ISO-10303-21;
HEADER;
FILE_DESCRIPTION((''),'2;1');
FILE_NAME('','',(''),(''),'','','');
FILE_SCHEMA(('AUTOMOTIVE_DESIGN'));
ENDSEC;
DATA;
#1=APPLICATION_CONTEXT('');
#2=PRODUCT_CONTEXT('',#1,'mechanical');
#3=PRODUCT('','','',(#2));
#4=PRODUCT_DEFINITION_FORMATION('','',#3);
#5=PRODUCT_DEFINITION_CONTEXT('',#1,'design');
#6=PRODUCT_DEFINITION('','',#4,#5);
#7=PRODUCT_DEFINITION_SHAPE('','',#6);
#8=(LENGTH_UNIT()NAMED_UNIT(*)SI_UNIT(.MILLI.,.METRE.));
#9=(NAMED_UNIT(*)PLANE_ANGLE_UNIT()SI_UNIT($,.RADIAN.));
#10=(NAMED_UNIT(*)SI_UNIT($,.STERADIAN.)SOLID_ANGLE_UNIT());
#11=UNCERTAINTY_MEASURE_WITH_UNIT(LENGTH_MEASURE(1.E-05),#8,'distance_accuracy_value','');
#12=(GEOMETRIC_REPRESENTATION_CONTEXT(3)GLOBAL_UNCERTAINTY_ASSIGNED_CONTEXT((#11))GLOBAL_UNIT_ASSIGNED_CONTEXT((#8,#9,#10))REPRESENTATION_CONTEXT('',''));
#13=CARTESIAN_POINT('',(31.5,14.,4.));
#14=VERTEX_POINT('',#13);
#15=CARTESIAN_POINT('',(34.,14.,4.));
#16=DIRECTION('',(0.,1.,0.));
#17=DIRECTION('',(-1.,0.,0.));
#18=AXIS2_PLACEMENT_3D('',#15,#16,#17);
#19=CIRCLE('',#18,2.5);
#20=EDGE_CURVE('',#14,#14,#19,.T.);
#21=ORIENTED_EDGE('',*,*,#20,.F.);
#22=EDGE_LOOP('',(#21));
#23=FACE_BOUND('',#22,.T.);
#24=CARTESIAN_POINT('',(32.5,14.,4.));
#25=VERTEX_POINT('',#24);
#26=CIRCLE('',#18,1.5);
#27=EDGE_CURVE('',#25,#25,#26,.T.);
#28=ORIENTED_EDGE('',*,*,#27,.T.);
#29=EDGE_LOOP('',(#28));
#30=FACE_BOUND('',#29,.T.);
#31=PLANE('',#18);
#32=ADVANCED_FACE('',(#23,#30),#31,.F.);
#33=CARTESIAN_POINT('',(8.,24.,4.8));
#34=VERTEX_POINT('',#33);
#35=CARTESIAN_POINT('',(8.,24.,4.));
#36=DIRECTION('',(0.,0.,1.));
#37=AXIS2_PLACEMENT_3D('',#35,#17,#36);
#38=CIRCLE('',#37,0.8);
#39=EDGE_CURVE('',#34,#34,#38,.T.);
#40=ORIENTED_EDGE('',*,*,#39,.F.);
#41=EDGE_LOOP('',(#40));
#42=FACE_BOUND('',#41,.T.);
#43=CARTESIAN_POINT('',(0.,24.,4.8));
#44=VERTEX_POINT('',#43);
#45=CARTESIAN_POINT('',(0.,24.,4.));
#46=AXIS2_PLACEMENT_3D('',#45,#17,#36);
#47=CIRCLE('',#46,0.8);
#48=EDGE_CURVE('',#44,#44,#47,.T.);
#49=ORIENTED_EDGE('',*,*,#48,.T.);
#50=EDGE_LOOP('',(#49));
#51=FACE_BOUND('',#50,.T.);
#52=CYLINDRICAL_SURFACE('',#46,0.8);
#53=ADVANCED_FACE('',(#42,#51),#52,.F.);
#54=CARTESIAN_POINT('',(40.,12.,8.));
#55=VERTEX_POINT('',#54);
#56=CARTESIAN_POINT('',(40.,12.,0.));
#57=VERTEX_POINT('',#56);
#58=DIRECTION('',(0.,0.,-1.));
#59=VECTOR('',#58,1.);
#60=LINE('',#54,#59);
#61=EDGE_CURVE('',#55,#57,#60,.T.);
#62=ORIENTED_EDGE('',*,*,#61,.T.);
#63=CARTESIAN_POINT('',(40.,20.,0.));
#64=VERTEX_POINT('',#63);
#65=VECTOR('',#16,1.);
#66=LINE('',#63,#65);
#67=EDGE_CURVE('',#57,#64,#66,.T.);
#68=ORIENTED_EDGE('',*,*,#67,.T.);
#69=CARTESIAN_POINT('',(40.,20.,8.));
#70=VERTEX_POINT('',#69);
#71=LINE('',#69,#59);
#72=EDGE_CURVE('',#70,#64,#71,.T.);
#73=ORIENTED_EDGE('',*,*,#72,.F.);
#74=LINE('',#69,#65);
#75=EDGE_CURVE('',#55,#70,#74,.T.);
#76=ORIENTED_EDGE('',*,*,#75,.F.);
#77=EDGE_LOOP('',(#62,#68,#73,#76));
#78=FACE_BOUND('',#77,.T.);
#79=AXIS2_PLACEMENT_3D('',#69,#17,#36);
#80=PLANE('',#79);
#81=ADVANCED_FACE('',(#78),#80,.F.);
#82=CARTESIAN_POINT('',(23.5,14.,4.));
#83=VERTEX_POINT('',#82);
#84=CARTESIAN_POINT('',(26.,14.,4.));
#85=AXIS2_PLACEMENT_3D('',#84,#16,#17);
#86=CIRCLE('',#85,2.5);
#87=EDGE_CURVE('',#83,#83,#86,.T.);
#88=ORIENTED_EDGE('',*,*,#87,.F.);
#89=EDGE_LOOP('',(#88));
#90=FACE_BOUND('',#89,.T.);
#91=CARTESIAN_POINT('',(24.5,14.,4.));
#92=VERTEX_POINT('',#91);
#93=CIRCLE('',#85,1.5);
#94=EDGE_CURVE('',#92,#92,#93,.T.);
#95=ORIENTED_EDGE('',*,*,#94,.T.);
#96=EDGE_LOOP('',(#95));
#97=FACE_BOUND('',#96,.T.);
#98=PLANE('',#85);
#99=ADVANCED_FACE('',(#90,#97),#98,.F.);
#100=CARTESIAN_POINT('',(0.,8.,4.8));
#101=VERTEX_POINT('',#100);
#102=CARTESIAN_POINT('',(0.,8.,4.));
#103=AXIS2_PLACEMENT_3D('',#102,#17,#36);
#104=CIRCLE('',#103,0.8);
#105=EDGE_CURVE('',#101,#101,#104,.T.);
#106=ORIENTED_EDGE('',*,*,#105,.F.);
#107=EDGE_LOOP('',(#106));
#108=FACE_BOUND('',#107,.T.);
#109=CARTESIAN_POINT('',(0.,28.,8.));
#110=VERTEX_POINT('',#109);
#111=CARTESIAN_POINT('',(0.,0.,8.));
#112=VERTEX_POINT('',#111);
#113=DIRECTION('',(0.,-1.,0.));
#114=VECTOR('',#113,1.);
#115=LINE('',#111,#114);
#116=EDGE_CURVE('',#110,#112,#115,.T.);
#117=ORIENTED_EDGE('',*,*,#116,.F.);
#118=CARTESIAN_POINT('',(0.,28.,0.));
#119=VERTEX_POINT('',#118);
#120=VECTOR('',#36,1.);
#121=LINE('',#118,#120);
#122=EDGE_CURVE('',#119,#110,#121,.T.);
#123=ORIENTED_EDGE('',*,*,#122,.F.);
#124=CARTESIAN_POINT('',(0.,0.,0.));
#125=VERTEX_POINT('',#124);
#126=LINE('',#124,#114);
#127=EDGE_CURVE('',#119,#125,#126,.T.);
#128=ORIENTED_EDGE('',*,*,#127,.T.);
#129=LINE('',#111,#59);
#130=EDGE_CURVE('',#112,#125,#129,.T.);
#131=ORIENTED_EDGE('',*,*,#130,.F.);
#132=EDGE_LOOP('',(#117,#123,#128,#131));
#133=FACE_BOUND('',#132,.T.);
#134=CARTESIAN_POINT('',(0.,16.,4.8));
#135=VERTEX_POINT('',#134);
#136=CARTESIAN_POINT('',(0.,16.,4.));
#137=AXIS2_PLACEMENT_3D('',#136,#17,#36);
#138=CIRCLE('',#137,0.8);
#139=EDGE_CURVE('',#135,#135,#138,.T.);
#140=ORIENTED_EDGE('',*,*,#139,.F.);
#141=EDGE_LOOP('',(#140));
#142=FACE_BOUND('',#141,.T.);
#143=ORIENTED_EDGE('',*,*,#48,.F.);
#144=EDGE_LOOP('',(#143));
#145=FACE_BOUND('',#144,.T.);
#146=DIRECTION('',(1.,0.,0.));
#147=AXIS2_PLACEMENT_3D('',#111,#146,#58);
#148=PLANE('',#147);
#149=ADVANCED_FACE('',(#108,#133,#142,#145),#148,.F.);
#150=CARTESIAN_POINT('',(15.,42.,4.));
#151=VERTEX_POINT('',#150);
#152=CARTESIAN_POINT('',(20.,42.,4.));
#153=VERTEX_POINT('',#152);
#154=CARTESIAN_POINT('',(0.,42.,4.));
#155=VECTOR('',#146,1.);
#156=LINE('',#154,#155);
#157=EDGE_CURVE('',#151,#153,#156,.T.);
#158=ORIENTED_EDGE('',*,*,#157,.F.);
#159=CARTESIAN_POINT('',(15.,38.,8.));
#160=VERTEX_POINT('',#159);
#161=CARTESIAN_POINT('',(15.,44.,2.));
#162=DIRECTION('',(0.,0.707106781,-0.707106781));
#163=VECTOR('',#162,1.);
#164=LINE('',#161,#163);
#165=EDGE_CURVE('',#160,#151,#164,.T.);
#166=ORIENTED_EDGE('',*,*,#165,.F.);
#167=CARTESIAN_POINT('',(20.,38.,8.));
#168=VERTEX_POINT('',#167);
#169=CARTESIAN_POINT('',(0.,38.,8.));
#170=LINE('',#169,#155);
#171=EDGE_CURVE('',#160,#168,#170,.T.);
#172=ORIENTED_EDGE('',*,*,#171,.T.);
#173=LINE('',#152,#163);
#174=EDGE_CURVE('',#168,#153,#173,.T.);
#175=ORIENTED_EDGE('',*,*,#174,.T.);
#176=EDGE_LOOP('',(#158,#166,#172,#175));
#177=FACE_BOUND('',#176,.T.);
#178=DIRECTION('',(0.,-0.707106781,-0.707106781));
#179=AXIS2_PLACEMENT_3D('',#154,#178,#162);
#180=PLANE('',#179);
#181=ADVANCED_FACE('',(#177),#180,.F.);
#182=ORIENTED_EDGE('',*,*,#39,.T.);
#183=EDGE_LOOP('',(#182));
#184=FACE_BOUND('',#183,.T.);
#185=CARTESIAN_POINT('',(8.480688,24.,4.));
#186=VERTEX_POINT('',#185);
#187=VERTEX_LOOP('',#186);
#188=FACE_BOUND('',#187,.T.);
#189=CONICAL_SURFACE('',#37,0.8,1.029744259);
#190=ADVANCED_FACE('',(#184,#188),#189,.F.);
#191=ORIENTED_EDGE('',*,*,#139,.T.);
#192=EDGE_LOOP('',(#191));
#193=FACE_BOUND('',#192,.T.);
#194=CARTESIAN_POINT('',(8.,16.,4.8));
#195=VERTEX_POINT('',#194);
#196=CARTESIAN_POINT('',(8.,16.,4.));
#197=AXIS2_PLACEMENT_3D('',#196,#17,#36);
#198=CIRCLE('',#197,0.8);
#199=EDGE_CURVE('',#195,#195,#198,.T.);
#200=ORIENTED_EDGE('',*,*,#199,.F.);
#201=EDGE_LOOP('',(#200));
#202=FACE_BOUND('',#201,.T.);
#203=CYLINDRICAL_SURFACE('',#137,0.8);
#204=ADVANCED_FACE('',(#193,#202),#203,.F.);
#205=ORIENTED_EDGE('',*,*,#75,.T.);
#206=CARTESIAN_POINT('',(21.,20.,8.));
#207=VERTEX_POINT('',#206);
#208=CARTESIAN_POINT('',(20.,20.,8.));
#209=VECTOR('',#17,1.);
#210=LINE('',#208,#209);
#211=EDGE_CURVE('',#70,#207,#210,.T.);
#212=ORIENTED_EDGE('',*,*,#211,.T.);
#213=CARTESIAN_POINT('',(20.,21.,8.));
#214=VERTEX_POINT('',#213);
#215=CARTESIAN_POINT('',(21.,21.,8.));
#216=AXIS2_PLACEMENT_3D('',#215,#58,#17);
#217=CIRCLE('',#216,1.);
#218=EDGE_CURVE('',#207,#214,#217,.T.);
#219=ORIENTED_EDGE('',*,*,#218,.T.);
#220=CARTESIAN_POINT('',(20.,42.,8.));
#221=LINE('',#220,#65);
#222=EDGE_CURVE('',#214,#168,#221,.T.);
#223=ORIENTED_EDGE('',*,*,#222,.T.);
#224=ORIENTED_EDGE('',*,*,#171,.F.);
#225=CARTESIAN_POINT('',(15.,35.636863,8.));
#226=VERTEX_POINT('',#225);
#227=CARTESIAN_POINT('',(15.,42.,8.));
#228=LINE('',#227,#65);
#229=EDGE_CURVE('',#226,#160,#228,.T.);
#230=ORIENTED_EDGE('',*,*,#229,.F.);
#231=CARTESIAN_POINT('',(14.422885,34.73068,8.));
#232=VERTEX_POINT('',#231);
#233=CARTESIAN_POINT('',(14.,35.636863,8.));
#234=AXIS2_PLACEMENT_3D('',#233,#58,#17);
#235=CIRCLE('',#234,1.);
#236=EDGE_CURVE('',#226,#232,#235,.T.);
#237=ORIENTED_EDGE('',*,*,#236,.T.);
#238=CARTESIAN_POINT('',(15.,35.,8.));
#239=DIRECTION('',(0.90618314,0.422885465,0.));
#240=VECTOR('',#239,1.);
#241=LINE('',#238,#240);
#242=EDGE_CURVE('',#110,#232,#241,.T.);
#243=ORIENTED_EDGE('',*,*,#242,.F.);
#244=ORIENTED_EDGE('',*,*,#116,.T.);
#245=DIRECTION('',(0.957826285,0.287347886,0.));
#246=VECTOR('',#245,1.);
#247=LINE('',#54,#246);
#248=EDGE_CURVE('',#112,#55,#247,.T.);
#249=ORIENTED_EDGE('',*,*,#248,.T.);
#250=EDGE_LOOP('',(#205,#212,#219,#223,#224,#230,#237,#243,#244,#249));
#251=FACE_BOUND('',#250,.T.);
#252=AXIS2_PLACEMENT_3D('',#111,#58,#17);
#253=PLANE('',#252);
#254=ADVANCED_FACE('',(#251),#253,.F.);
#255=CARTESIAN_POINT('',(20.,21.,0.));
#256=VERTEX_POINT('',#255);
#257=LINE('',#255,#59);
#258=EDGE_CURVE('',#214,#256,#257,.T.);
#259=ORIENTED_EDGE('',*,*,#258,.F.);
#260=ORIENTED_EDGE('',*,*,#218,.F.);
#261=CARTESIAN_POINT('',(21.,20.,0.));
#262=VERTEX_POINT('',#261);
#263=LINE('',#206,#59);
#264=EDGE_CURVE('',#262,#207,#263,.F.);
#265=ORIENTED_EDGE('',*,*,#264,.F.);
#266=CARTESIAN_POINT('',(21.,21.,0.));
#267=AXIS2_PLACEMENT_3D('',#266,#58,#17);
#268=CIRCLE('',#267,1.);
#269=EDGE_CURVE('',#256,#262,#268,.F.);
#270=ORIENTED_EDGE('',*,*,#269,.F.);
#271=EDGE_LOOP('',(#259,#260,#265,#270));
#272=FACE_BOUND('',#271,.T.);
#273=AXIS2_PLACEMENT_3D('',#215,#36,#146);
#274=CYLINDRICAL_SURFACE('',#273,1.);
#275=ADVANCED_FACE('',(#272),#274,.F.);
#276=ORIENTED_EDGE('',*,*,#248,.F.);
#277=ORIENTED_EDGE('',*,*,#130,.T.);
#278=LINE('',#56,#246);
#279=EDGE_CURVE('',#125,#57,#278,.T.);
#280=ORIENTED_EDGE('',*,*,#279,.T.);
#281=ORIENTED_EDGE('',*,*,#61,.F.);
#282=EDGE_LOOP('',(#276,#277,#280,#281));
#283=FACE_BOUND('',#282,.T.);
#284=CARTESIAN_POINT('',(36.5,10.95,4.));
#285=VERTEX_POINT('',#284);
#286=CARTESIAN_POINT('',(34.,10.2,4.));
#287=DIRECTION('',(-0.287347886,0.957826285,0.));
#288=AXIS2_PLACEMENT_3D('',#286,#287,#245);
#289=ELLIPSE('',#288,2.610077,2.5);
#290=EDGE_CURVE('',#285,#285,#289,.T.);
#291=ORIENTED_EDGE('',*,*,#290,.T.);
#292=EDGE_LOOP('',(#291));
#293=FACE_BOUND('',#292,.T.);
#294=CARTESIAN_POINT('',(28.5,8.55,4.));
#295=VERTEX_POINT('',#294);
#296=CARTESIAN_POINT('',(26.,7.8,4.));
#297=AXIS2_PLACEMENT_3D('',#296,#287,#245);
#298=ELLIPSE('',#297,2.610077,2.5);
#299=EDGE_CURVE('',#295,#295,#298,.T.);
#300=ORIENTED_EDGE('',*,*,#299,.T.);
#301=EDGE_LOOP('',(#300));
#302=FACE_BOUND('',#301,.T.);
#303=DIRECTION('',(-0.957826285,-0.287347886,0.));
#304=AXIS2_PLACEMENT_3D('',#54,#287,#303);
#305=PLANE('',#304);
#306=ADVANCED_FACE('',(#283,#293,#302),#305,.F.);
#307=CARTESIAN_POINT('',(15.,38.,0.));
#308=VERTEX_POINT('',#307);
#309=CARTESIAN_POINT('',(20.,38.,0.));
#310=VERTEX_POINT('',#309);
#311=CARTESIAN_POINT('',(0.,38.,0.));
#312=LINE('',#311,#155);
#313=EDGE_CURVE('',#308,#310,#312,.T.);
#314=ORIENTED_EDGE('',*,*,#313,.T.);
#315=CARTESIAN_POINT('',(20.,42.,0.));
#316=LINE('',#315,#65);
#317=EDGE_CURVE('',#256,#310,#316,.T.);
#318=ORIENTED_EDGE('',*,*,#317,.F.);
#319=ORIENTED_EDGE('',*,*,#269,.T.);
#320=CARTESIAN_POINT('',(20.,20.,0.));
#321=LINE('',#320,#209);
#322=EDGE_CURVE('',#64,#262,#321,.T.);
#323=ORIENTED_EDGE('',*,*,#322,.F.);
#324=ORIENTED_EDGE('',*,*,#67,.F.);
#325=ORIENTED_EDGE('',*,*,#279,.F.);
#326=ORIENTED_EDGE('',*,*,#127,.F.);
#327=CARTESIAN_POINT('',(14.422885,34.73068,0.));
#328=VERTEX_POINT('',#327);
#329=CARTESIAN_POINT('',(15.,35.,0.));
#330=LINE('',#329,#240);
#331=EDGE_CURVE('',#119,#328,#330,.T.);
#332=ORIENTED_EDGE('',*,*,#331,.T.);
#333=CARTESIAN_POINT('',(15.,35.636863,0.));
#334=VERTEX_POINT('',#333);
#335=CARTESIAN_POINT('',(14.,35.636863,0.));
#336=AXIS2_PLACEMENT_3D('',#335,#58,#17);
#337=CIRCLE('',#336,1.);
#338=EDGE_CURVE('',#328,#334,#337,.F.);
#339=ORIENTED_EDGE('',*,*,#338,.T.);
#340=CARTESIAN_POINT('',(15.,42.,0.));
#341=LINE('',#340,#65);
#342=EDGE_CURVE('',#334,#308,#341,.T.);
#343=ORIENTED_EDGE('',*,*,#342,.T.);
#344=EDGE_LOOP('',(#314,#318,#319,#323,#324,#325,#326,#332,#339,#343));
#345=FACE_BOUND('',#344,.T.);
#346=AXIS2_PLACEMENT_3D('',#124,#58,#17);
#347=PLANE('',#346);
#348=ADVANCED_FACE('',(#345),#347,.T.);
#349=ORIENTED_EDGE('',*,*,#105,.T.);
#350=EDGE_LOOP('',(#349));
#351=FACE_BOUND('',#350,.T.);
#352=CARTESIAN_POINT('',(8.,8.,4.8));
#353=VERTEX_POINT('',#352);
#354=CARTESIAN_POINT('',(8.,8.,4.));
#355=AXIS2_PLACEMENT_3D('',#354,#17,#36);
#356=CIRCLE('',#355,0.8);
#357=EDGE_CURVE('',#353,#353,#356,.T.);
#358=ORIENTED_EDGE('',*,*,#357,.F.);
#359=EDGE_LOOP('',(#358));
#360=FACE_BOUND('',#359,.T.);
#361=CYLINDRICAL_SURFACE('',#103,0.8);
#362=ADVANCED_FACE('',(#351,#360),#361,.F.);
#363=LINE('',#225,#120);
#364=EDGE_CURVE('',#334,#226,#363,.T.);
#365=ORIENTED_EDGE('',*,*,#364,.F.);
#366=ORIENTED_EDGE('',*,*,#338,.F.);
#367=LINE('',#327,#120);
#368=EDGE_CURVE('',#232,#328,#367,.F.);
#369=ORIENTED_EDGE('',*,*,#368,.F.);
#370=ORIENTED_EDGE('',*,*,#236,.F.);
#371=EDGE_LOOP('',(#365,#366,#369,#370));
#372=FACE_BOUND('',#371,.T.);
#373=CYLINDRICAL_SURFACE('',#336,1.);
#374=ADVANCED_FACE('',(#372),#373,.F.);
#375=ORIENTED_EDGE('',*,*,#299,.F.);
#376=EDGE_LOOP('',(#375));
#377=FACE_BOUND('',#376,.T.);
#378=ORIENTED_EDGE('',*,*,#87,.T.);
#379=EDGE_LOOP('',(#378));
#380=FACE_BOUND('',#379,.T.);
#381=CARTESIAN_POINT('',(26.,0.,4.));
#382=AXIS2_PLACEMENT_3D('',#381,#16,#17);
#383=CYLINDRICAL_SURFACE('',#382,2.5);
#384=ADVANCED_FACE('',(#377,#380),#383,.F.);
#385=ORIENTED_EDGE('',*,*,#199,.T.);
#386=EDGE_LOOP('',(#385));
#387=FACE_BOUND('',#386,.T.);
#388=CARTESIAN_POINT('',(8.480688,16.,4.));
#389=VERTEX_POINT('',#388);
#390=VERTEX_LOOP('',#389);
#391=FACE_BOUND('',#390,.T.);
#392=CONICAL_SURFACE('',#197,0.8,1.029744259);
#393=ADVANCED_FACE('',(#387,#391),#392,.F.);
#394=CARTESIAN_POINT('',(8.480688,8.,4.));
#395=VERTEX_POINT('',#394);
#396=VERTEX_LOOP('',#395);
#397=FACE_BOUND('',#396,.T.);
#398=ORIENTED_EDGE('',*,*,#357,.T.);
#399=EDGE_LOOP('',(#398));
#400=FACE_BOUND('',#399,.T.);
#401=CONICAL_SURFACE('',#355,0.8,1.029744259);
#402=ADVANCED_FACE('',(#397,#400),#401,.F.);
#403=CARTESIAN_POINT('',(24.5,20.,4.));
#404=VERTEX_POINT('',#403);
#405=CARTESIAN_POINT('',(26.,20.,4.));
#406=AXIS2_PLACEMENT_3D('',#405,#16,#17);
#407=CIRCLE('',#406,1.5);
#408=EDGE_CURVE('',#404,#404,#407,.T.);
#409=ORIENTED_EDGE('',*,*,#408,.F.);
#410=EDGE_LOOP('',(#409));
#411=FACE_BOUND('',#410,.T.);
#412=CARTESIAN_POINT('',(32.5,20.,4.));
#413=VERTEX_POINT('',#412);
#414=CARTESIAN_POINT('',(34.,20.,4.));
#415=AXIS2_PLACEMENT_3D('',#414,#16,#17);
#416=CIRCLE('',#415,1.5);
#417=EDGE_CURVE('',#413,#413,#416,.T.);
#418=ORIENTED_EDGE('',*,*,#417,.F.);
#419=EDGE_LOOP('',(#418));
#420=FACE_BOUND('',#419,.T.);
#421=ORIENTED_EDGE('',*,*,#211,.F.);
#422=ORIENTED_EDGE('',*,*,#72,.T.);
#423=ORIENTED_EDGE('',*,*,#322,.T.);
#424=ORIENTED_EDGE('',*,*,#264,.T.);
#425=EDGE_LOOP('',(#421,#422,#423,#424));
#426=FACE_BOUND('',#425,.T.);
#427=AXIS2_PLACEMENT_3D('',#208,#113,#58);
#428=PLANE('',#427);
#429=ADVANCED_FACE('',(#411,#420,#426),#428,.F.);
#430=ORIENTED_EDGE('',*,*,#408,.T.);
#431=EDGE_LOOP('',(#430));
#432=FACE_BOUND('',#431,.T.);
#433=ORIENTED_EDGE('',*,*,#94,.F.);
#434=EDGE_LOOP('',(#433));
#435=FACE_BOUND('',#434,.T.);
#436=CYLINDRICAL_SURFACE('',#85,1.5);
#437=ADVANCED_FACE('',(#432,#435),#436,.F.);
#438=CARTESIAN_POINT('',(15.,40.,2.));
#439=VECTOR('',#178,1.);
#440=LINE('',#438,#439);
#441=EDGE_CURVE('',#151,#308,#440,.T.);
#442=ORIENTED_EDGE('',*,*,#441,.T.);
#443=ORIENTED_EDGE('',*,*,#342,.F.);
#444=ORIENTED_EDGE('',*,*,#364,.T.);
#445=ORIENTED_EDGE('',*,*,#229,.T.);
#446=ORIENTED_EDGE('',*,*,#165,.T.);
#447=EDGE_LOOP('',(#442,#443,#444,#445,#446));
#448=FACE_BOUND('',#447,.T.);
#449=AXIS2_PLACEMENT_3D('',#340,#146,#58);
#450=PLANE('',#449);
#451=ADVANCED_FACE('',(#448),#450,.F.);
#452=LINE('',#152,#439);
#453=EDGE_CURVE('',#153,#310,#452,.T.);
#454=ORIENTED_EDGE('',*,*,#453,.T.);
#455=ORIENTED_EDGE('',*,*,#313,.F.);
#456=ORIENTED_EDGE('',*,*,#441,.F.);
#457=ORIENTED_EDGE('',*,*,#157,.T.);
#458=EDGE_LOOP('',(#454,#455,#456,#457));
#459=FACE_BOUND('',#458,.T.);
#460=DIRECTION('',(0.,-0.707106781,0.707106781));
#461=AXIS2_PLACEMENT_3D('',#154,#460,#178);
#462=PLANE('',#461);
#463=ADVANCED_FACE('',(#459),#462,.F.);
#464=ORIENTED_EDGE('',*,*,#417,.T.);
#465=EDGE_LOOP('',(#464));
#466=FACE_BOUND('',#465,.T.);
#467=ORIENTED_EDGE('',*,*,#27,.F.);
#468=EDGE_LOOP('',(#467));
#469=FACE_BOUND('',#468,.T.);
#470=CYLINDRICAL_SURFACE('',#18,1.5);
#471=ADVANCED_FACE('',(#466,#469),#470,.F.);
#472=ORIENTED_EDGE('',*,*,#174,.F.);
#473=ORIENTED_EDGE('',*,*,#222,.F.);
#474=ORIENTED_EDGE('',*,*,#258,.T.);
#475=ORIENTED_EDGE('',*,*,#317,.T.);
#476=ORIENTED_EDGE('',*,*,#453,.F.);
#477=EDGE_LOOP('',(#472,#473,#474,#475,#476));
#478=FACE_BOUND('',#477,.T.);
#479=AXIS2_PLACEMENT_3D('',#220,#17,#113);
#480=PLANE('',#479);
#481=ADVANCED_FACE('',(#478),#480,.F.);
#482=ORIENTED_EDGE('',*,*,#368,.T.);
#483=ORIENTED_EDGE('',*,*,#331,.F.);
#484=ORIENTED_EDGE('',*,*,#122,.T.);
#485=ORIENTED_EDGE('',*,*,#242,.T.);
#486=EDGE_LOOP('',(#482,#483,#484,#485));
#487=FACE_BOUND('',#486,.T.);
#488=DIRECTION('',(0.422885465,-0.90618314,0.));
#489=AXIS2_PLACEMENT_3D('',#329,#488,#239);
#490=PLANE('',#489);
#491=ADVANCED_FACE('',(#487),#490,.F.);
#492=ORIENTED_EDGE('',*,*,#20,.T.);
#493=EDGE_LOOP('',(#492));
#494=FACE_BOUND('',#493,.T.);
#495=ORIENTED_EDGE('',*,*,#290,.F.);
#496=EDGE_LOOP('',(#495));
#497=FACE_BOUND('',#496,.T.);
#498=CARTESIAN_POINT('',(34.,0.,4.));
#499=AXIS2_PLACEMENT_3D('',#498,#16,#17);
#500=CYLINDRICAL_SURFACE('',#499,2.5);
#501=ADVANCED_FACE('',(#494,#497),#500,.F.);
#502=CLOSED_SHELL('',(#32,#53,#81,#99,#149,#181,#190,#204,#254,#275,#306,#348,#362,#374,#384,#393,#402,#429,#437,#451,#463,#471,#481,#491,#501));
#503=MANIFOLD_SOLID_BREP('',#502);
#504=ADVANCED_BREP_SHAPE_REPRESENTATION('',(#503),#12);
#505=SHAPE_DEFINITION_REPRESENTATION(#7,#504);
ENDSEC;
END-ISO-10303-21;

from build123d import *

# Parameters (mm, degrees)
BOSS_EXTRUDE1_DEPTH       = 8
CUT_EXTRUDE1_DEPTH        = 8
SKETCH7_R                 = 1.5
CUT_EXTRUDE4_DEPTH        = 6
SKETCH9_R                 = 2.5
CUT_EXTRUDE5_DEPTH        = 15
CUT_EXTRUDE2_DEPTH        = 21
CUT_EXTRUDE3_DEPTH        = 21
M2X0_4_TAPPED_HOLE1_D     = 1.6
M2X0_4_TAPPED_HOLE1_DEPTH = 8
M2X0_4_TAPPED_HOLE1_TIP   = 0.480688495
FILLET1_R                 = 1
FILLET2_R                 = 1


with BuildPart() as part:
    # Sketch1 → Boss-Extrude1 (new body)
    with BuildSketch(Plane.XY):
        Polygon((0, 0), (0, 42), (20, 42), (20, 20), (40, 20), (40, 12), align=None)
    extrude(amount=BOSS_EXTRUDE1_DEPTH)

    # Sketch2 → Cut-Extrude1 (cut)
    with BuildSketch(Plane.XY.offset(8)):
        Polygon((15, 42), (15, 35), (0, 28), (0, 42), align=None)
    extrude(amount=-CUT_EXTRUDE1_DEPTH, mode=Mode.SUBTRACT)

    # Sketch7 → Cut-Extrude4 (cut)
    with BuildSketch(Plane(origin=(0, 20, 0), x_dir=(1, 0, 0), z_dir=(0, 1, 0))):
        with Locations((34, -4)):
            Circle(SKETCH7_R)
        with Locations((26, -4)):
            Circle(SKETCH7_R)
    extrude(amount=-CUT_EXTRUDE4_DEPTH, mode=Mode.SUBTRACT)

    # Sketch9 → Cut-Extrude5 (cut, through all)
    with BuildSketch(Plane(origin=(0, 14, 0), x_dir=(1, 0, 0), z_dir=(0, 1, 0))):
        with Locations((34, -4)):
            Circle(SKETCH9_R)
        with Locations((26, -4)):
            Circle(SKETCH9_R)
    extrude(amount=-CUT_EXTRUDE5_DEPTH, mode=Mode.SUBTRACT)

    # Sketch5 → Cut-Extrude2 (cut, through all)
    with BuildSketch(Plane(origin=(20, 0, 0), x_dir=(0, 0, -1), z_dir=(1, 0, 0))):
        Polygon((-8, 42), (-4, 42), (-8, 38), align=None)
    extrude(amount=-CUT_EXTRUDE2_DEPTH, mode=Mode.SUBTRACT)

    # Sketch6 → Cut-Extrude3 (cut, through all)
    with BuildSketch(Plane(origin=(20, 0, 0), x_dir=(0, 0, -1), z_dir=(1, 0, 0))):
        Polygon((0, 42), (-4, 42), (0, 38), align=None)
    extrude(amount=-CUT_EXTRUDE3_DEPTH, mode=Mode.SUBTRACT)

    # M2x0.4 Tapped Hole1
    with Locations(Plane(origin=(0, 24, 4), x_dir=(0, 0, -1), z_dir=(-1, 0, 0))):
        with Locations((0, 0), (0, 8), (0, 16)):
            Hole(M2X0_4_TAPPED_HOLE1_D / 2, depth=M2X0_4_TAPPED_HOLE1_DEPTH)
            with Locations((0, 0, -(M2X0_4_TAPPED_HOLE1_DEPTH + M2X0_4_TAPPED_HOLE1_TIP / 2))):  # 118° drill point
                Cone(0, M2X0_4_TAPPED_HOLE1_D / 2, M2X0_4_TAPPED_HOLE1_TIP, mode=Mode.SUBTRACT)

    # Fillet1
    fillet1_edges = [part.edges().sort_by_distance(p)[0] for p in [
        (20, 20, 4),
    ]]
    fillet(fillet1_edges, radius=FILLET1_R)

    # Fillet2
    fillet2_edges = [part.edges().sort_by_distance(p)[0] for p in [
        (15, 35, 4),
    ]]
    fillet(fillet2_edges, radius=FILLET2_R)


solid = part.part
